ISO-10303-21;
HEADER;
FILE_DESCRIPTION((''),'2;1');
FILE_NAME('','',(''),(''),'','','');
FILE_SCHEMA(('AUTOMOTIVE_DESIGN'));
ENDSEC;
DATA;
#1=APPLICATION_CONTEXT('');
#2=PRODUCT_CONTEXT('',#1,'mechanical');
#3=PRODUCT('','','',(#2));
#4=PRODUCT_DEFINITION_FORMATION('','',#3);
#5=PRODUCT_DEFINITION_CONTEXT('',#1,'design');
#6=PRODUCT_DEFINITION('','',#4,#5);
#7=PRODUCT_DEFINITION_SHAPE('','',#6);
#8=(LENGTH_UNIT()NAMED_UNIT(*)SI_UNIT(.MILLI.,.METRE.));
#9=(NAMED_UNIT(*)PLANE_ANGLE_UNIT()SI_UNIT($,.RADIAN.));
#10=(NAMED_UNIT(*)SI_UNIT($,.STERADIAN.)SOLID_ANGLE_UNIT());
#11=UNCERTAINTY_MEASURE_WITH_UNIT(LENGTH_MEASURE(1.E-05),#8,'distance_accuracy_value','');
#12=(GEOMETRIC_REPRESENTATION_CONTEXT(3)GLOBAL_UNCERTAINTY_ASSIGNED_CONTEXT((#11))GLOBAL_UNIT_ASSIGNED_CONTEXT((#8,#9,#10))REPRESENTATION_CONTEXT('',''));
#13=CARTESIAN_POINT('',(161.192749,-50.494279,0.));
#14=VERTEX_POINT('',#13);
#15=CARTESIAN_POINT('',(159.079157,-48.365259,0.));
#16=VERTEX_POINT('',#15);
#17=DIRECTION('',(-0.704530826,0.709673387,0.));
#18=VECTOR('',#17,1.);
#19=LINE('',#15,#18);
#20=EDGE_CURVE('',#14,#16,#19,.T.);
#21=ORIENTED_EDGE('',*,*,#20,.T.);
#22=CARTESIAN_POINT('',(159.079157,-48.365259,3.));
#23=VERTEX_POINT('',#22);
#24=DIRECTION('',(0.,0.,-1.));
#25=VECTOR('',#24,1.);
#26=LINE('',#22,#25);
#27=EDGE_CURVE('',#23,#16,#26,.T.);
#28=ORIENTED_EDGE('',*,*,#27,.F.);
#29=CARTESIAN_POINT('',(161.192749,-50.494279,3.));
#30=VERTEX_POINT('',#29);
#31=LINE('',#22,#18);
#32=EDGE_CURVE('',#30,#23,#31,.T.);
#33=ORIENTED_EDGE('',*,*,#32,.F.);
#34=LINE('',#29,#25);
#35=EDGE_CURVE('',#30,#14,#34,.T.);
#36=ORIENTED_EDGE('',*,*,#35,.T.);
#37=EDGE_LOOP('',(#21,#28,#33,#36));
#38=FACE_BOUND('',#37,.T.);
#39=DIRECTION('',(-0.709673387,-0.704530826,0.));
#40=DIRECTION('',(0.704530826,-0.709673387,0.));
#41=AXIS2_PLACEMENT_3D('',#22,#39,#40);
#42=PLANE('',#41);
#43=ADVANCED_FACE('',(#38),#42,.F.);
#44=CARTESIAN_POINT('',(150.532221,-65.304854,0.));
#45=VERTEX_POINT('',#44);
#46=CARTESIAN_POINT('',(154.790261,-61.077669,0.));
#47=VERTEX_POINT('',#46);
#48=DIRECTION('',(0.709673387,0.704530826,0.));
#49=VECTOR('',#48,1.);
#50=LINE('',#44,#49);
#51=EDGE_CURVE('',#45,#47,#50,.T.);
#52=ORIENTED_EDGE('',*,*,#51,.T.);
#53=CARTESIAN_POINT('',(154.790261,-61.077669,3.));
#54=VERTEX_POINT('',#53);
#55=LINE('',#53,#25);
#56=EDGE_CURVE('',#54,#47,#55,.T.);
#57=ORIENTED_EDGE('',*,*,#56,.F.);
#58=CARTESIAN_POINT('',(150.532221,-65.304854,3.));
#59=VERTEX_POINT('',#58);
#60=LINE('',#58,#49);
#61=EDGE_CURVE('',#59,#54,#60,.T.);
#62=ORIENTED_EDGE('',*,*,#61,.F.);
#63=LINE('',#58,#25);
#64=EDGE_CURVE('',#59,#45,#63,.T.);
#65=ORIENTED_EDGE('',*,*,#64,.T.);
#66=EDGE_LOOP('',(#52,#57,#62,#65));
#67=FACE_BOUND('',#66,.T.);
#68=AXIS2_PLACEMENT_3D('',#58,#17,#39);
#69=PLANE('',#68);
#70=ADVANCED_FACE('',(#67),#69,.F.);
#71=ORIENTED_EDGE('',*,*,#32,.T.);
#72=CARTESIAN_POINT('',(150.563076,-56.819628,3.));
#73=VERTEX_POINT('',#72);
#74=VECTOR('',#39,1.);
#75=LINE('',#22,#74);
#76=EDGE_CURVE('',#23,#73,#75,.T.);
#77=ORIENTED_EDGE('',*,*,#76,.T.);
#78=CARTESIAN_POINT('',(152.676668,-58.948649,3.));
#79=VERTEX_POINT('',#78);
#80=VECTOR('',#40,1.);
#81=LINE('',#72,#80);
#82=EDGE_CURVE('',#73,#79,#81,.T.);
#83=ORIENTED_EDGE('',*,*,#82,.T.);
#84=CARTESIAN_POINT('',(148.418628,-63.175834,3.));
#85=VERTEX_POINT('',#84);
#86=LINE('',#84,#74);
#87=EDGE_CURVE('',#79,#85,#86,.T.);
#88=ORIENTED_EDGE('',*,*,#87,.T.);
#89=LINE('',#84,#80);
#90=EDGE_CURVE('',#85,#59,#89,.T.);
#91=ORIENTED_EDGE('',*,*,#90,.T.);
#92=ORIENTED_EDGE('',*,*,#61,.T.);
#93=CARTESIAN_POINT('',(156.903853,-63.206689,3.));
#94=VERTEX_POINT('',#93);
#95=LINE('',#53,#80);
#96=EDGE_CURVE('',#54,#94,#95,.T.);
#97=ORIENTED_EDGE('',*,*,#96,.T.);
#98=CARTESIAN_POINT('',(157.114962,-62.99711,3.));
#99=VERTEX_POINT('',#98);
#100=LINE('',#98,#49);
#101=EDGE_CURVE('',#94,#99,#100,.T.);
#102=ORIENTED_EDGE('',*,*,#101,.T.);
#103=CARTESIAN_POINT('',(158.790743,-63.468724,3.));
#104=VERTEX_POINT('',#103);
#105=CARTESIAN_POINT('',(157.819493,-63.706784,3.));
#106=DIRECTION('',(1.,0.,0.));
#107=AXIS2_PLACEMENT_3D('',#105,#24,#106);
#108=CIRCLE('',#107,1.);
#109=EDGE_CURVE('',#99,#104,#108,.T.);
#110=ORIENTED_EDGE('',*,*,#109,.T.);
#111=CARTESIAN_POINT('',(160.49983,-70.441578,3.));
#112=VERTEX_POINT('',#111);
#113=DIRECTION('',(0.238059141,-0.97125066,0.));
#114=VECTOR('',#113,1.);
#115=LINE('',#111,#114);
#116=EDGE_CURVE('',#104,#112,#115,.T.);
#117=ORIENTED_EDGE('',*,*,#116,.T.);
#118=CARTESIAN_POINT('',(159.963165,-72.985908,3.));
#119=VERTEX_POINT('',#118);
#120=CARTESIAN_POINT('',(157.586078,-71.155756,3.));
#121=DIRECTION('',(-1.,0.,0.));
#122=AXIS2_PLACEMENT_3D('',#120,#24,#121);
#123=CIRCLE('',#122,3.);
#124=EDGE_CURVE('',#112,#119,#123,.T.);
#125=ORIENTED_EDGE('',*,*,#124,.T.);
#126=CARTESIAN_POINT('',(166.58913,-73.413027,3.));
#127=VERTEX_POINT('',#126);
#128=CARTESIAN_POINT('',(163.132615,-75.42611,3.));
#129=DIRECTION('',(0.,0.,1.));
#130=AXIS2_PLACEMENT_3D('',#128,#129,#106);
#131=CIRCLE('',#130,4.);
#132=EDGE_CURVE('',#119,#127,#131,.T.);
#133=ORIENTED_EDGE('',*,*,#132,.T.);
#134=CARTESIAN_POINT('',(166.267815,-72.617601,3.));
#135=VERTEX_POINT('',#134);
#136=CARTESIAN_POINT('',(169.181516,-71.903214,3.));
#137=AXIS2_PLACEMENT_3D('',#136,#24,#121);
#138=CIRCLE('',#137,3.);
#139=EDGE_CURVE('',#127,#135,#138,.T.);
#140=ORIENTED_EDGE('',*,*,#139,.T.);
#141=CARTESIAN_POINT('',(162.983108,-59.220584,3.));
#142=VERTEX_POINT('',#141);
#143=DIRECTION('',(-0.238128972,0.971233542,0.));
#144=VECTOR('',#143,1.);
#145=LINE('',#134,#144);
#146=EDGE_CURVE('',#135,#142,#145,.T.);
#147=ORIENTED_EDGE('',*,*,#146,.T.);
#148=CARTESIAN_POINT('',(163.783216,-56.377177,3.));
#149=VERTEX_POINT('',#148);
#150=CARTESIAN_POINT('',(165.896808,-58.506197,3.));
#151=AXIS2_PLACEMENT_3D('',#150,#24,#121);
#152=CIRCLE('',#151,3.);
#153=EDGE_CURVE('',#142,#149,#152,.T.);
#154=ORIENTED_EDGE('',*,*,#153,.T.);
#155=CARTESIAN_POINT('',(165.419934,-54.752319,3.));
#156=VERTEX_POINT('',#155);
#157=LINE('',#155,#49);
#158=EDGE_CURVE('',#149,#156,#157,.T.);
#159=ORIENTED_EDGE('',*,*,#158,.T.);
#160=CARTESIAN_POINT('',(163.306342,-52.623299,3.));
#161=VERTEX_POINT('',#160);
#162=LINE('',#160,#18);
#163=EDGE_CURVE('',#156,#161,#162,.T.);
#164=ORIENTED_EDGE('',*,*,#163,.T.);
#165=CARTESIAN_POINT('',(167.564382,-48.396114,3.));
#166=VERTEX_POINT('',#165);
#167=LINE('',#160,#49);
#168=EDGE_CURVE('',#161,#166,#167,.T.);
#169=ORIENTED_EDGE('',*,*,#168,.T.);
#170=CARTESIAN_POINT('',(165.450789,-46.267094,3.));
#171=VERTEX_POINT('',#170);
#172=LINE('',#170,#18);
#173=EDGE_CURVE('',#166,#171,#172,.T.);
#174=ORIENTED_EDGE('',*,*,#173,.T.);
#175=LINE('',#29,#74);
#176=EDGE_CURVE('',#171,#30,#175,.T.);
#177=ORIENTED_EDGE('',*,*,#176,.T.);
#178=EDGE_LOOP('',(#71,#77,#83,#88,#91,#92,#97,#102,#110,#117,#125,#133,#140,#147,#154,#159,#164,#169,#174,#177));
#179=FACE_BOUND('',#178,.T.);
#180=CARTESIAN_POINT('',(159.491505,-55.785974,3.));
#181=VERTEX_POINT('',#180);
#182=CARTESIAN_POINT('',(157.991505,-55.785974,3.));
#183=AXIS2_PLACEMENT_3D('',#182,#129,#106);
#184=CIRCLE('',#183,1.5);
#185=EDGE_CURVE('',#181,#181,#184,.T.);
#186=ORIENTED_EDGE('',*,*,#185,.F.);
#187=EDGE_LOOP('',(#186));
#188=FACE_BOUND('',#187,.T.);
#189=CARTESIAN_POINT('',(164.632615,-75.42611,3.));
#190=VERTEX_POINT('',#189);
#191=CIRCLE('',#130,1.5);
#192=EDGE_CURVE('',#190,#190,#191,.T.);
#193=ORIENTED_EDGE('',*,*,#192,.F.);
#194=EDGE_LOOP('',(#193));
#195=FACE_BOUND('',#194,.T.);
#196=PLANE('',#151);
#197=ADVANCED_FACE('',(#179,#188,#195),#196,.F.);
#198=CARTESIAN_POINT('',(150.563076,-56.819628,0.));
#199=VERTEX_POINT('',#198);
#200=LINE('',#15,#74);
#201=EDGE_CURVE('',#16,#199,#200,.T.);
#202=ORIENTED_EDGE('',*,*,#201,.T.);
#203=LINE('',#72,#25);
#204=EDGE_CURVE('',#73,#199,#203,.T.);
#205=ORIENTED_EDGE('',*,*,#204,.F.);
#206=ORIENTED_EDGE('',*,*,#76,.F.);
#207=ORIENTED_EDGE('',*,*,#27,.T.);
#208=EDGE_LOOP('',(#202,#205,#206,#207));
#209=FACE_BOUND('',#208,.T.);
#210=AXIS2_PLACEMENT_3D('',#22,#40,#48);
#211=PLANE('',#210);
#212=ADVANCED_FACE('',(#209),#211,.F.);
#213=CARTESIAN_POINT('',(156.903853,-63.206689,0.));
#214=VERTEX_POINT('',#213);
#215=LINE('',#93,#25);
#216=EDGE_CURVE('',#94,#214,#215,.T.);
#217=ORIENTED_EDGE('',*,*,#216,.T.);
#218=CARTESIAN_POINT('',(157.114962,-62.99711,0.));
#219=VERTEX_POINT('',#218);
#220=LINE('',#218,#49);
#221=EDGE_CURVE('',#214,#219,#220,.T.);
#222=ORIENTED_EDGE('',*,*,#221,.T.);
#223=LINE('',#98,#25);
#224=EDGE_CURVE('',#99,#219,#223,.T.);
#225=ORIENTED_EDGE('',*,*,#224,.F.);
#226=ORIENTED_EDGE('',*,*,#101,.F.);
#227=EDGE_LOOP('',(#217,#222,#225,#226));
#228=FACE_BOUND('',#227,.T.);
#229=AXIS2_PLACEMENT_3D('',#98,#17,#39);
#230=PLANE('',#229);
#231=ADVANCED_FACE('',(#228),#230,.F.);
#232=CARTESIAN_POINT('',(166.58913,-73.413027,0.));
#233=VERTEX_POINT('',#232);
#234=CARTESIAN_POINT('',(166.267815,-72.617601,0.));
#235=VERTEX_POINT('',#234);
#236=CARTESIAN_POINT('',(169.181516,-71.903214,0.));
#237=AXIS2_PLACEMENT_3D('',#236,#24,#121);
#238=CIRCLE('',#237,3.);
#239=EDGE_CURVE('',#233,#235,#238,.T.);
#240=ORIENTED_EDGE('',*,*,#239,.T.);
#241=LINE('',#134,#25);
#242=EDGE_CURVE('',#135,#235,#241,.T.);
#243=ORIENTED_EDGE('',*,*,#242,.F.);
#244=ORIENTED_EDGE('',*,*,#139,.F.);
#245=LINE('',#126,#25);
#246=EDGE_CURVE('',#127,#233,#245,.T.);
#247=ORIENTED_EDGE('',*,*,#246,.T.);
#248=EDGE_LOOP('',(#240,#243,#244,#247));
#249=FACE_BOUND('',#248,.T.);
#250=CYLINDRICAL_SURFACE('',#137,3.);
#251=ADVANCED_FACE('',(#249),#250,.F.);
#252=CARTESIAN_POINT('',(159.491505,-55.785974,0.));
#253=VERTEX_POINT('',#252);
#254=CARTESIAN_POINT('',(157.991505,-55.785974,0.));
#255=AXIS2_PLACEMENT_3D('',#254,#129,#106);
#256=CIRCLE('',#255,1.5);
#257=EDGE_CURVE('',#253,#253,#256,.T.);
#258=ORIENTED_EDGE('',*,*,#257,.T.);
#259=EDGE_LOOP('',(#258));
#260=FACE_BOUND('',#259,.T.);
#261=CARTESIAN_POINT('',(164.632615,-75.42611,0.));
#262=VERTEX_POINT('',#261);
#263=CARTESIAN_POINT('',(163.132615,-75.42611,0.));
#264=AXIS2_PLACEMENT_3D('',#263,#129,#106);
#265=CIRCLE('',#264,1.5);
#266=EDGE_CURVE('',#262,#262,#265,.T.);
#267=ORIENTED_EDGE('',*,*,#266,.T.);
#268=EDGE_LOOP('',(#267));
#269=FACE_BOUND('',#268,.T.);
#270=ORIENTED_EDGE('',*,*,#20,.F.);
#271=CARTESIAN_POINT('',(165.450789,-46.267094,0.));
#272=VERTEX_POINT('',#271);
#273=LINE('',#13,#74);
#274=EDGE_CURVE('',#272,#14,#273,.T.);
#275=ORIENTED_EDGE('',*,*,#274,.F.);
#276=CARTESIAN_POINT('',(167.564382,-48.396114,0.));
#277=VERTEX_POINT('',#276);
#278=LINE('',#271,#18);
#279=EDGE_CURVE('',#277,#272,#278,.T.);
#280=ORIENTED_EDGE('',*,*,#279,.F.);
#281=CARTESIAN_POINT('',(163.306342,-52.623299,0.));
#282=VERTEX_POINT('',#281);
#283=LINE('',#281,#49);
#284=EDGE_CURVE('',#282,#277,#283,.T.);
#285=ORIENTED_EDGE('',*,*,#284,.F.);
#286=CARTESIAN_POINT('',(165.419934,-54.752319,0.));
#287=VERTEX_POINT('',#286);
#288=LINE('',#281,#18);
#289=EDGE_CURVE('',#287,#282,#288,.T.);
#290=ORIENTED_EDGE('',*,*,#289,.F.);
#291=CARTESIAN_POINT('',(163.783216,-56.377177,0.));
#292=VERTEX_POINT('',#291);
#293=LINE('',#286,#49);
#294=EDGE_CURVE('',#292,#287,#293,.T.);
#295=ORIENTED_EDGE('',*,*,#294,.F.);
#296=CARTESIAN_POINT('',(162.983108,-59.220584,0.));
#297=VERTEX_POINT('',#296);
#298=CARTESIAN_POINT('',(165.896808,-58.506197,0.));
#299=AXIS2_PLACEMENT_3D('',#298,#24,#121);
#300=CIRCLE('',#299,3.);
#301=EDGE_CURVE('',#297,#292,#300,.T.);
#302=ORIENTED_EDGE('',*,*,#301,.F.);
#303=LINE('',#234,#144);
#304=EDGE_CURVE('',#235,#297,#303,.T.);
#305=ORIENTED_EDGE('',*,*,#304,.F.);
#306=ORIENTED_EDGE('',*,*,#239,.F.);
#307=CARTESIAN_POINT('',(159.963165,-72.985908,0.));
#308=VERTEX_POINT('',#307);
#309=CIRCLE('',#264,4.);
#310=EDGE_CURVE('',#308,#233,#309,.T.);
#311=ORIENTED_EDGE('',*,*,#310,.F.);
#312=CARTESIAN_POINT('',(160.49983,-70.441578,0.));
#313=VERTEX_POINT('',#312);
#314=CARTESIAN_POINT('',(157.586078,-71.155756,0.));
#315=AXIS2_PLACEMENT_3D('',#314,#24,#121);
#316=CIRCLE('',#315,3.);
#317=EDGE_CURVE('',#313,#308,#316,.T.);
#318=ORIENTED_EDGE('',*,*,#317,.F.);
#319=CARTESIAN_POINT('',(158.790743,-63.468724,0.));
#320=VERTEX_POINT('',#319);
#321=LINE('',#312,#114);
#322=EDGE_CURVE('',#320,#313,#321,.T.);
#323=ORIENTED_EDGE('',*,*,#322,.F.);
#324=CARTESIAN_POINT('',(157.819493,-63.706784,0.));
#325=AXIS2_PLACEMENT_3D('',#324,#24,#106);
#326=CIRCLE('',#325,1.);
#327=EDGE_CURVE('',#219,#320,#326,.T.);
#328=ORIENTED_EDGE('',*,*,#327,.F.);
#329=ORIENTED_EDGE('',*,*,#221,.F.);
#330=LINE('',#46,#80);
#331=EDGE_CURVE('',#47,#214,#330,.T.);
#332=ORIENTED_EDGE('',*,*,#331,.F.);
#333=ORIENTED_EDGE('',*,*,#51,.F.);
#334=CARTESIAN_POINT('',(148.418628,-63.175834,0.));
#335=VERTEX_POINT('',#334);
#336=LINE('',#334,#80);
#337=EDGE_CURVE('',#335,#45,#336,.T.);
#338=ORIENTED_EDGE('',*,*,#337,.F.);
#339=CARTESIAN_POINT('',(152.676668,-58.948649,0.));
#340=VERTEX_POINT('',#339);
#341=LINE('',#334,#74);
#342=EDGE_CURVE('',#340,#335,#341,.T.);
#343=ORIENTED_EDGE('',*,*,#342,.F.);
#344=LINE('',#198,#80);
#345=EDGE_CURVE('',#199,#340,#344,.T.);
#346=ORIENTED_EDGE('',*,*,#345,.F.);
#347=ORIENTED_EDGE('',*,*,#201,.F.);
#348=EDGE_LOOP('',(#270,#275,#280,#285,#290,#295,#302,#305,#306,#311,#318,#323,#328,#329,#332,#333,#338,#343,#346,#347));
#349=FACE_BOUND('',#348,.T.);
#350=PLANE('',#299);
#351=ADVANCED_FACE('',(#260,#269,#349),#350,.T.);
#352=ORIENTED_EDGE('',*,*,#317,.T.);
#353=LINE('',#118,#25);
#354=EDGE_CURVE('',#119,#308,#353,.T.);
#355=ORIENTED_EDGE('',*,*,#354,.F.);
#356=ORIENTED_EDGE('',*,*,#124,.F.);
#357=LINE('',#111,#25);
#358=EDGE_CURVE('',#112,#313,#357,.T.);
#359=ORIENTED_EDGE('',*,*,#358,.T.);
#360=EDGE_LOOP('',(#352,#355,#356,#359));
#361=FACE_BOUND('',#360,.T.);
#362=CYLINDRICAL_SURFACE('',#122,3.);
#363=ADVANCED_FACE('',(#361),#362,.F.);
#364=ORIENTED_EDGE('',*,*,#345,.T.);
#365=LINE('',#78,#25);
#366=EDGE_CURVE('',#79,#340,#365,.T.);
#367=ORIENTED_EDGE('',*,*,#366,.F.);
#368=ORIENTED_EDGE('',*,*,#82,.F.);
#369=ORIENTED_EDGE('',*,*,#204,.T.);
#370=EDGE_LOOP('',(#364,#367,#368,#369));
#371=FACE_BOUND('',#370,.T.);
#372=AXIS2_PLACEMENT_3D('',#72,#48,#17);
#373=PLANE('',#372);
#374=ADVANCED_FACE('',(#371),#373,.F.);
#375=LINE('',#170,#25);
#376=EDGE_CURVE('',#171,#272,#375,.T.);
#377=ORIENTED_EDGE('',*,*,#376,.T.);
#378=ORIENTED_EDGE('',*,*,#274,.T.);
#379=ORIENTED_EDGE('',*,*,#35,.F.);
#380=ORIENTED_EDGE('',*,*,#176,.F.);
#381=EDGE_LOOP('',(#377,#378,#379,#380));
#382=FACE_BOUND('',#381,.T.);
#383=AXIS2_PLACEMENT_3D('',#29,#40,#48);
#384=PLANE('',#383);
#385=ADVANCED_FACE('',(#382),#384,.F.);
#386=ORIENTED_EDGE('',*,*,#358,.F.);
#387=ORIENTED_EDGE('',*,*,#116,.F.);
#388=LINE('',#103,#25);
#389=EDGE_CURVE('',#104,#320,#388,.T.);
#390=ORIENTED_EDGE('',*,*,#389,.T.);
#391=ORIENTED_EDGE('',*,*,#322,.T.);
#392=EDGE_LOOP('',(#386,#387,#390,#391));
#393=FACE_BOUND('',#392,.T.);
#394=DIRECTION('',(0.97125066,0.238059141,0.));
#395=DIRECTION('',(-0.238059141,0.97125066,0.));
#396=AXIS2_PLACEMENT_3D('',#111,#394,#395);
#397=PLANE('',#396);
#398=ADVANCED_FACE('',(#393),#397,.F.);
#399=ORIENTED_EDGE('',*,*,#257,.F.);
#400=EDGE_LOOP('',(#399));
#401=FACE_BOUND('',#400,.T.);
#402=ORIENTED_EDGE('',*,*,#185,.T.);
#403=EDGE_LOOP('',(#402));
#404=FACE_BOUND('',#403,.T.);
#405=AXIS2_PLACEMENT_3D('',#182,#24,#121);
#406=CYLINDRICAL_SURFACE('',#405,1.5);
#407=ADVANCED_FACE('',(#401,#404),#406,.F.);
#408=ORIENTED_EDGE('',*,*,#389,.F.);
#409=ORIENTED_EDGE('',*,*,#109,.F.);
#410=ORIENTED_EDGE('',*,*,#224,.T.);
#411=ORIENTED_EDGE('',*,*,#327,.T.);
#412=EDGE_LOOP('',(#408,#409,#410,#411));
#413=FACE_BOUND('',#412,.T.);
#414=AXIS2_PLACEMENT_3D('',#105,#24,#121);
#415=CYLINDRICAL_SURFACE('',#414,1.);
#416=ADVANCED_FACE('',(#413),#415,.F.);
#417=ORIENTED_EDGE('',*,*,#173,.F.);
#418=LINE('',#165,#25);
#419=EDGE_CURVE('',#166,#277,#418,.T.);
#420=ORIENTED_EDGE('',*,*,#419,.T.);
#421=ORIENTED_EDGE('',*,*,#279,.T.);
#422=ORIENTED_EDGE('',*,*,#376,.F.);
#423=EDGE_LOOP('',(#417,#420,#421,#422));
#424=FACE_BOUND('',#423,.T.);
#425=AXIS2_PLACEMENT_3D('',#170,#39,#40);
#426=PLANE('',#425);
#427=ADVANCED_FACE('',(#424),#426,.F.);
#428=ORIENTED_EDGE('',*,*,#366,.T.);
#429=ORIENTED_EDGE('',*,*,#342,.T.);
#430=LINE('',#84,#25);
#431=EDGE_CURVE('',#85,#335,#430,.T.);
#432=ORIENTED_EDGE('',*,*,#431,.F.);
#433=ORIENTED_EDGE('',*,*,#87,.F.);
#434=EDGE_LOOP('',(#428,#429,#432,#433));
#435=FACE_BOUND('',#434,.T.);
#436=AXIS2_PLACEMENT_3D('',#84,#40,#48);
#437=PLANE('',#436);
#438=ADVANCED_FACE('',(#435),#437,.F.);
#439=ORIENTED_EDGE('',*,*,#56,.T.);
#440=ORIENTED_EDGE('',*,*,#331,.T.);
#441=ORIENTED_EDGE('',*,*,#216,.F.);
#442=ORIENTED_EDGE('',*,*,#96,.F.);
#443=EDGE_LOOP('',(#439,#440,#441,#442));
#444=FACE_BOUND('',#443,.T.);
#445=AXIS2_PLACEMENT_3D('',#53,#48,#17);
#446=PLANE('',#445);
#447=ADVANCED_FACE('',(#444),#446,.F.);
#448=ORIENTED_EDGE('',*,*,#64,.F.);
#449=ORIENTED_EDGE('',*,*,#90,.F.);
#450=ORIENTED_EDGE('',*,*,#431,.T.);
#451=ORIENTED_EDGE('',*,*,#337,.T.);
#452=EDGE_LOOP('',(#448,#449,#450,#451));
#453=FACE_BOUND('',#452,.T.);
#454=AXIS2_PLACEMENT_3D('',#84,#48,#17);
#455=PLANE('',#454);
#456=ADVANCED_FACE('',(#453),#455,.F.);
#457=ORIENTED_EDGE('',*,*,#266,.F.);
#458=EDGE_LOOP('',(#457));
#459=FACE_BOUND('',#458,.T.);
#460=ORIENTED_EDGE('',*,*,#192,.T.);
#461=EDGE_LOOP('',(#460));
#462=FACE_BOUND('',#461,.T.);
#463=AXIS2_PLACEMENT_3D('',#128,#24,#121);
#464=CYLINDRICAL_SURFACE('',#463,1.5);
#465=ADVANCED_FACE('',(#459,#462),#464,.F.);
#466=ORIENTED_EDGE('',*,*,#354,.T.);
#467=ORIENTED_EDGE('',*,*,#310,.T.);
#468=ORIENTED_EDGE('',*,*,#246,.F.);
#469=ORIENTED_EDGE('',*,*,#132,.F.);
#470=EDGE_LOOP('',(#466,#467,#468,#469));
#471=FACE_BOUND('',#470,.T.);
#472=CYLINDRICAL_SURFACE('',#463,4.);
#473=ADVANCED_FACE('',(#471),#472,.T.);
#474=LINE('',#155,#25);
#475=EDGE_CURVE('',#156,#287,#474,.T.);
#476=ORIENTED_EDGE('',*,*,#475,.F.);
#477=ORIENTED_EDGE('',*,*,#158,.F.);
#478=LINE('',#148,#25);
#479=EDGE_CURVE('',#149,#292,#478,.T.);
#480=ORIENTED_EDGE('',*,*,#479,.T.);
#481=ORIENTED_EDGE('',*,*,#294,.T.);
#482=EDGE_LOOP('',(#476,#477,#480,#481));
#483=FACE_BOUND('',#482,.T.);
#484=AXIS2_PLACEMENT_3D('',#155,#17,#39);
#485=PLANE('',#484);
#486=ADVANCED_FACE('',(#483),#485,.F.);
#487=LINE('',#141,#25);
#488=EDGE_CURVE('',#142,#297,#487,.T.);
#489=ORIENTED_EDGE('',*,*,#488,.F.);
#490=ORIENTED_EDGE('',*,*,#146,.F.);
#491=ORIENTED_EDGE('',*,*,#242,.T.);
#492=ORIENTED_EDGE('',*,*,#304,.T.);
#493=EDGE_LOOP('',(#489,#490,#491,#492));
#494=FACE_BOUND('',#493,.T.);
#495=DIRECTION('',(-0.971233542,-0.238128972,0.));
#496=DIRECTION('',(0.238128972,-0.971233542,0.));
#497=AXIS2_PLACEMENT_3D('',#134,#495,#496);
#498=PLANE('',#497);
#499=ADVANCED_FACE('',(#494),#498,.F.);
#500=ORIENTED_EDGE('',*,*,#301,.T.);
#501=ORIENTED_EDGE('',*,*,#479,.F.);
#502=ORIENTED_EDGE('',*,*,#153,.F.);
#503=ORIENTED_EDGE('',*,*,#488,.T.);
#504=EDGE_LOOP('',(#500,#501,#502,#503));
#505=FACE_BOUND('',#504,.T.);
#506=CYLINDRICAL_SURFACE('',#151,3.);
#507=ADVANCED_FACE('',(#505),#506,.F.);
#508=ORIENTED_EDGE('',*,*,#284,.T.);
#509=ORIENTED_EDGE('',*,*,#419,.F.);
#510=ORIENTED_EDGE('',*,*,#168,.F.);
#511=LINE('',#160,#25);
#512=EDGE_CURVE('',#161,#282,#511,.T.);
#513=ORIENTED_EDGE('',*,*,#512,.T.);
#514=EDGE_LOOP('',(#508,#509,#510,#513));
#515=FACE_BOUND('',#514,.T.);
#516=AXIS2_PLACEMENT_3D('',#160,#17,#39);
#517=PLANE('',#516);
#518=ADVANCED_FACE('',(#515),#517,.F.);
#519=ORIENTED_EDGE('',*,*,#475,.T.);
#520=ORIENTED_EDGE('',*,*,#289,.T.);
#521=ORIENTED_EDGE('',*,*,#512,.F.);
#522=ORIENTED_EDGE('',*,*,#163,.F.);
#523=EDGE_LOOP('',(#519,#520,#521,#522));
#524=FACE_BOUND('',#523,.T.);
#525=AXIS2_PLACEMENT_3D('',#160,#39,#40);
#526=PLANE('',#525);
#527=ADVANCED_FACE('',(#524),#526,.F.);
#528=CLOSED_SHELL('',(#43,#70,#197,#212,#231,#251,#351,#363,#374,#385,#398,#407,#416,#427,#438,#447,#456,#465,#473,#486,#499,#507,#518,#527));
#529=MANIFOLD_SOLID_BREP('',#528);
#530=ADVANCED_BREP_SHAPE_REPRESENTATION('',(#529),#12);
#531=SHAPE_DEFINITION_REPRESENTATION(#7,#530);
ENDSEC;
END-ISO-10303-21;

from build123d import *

# Parameters (mm, degrees)
ESQUISSE15_R        = 1.5
BOSS_EXTRU_15_DEPTH = 3


with BuildPart() as part:
    # Esquisse15 → Boss.-Extru.15 (new body)
    with BuildSketch(Plane.XY):
        with BuildLine():
            Line((159.079156624, -48.365258544), (150.563075986, -56.819628453))
            Line((150.563075986, -56.819628453), (152.676668463, -58.948648613))
            Line((152.676668463, -58.948648613), (148.418628144, -63.175833567))
            Line((148.418628144, -63.175833567), (150.532220621, -65.304853727))
            Line((150.532220621, -65.304853727), (154.790260941, -61.077668772))
            Line((154.790260941, -61.077668772), (156.903853418, -63.206688932))
            Line((156.903853418, -63.206688932), (157.114961916, -62.997110206))
            ThreePointArc((157.114961916, -62.997110206), (158.090398383, -62.744177685), (158.790743402, -63.468724451))
            Line((158.790743402, -63.468724451), (160.499830137, -70.44157839))
            ThreePointArc((160.499830137, -70.44157839), (160.521490891, -71.774910136), (159.963165383, -72.985907807))
            ThreePointArc((159.963165383, -72.985907807), (162.875303574, -79.417825737), (166.589129616, -73.413026553))
            ThreePointArc((166.589129616, -73.413026553), (166.3998932, -73.026858147), (166.267814939, -72.617600535))
            Line((166.267814939, -72.617600535), (162.983107766, -59.220583964))
            ThreePointArc((162.983107766, -59.220583964), (163.008961454, -57.693583939), (163.783215914, -56.377176889))
            Line((163.783215914, -56.377176889), (165.419934056, -54.752319023))
            Line((165.419934056, -54.752319023), (163.306341579, -52.623298863))
            Line((163.306341579, -52.623298863), (167.564381898, -48.396113909))
            Line((167.564381898, -48.396113909), (165.450789421, -46.267093749))
            Line((165.450789421, -46.267093749), (161.192749102, -50.494278704))
            Line((161.192749102, -50.494278704), (159.079156624, -48.365258544))
        make_face()
        with Locations((157.991505021, -55.785973738)):
            Circle(ESQUISSE15_R, mode=Mode.SUBTRACT)
        with Locations((163.132615018, -75.426110464)):
            Circle(ESQUISSE15_R, mode=Mode.SUBTRACT)
    extrude(amount=BOSS_EXTRU_15_DEPTH)


solid = part.part
